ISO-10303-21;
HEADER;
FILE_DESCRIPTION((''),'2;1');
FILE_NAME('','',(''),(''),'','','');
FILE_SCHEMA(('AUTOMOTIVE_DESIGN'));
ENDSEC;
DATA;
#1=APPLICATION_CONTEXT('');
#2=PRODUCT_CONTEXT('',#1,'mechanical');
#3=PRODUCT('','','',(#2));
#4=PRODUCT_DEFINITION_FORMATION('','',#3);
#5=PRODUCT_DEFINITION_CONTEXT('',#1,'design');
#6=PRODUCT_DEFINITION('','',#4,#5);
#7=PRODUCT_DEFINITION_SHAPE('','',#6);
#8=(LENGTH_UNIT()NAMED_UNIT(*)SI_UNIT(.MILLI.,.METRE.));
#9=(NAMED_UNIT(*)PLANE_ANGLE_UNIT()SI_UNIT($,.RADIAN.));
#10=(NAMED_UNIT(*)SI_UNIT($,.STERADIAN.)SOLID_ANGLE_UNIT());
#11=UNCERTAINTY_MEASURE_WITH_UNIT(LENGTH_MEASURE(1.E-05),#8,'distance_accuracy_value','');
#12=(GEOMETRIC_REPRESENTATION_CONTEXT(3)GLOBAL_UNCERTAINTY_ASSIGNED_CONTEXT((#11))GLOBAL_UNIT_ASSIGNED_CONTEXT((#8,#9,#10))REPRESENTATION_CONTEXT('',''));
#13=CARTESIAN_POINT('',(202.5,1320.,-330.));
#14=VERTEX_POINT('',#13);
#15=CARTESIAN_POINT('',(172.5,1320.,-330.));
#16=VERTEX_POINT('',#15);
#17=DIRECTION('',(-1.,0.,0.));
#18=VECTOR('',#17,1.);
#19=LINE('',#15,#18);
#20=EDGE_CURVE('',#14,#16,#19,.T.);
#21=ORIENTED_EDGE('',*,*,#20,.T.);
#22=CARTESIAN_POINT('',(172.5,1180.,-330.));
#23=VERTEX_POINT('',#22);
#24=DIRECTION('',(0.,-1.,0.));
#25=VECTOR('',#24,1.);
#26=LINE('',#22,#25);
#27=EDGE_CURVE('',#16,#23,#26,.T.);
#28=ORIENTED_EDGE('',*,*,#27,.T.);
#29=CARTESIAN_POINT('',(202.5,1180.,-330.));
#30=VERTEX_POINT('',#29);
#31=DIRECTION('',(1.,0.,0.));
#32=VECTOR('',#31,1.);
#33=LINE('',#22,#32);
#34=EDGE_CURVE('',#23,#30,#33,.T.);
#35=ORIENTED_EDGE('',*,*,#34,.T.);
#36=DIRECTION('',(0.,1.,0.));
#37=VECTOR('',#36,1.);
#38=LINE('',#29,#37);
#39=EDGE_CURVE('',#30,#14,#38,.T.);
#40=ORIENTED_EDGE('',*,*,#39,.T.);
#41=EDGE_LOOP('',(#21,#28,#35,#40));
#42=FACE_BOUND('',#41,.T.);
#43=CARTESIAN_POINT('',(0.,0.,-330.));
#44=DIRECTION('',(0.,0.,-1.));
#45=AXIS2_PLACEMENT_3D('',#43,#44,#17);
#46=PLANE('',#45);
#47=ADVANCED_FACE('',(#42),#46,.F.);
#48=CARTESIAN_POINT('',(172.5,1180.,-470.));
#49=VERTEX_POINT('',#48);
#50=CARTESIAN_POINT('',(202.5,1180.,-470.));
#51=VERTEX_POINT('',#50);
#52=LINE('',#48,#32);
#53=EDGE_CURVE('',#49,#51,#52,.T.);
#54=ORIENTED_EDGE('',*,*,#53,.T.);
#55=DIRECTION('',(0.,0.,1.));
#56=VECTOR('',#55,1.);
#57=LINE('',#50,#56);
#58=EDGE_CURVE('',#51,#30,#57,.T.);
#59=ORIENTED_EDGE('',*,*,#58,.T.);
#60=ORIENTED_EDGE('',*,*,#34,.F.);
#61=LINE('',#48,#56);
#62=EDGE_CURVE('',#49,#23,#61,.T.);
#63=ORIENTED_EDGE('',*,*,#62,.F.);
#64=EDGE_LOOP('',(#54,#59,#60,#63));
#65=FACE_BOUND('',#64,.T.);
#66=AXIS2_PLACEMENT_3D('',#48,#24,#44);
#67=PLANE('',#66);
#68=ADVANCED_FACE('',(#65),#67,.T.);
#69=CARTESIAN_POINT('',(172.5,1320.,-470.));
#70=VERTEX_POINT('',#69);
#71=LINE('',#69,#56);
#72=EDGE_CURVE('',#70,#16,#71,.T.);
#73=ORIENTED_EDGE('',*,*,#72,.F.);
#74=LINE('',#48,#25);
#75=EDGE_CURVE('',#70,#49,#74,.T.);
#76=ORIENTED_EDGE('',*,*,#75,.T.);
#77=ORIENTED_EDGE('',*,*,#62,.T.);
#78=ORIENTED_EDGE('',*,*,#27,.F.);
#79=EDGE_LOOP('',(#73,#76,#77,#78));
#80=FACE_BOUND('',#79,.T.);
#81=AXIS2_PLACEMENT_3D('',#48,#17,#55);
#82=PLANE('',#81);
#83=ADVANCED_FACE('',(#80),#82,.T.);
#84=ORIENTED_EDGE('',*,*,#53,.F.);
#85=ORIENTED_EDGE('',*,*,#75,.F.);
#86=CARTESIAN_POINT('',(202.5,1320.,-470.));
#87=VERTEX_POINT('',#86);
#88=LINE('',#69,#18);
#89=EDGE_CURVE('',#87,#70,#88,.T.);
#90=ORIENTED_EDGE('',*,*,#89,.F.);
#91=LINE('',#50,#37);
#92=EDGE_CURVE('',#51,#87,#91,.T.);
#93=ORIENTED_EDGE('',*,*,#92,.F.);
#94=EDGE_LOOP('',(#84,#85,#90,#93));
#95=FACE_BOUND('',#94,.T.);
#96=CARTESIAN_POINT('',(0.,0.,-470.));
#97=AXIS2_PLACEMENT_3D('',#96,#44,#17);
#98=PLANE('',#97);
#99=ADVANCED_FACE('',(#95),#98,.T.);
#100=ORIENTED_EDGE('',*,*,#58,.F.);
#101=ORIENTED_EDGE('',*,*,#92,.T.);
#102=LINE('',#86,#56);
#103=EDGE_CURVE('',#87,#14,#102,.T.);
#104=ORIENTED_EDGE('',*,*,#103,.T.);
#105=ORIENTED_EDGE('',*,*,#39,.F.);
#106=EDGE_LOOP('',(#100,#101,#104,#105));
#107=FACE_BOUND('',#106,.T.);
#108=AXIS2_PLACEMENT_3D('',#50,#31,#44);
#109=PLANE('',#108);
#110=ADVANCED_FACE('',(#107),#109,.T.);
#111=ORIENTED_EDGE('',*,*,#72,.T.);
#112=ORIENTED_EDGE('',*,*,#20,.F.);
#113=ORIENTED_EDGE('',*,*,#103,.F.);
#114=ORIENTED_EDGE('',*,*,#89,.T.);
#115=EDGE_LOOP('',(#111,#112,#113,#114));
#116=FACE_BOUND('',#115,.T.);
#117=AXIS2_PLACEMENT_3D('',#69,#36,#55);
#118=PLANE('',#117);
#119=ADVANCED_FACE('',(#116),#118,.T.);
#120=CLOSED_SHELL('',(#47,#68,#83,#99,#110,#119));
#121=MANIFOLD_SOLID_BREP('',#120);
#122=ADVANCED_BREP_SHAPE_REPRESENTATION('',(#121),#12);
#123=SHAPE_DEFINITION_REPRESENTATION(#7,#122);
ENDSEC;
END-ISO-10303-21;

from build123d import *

# Parameters (mm, degrees)
TOPPING_EVAP_FAN_2_1_START = -330
SKETCH1_W                  = 30
SKETCH1_H                  = 140
TOPPING_EVAP_FAN_2_1_DEPTH = 140


with BuildPart() as part:
    # Sketch1 → TOPPING_evap_fan_2_1 (new body)
    with BuildSketch(Plane.XY.offset(TOPPING_EVAP_FAN_2_1_START)):
        with Locations((187.5, 1250)):
            Rectangle(SKETCH1_W, SKETCH1_H)
    extrude(amount=-TOPPING_EVAP_FAN_2_1_DEPTH)


solid = part.part
